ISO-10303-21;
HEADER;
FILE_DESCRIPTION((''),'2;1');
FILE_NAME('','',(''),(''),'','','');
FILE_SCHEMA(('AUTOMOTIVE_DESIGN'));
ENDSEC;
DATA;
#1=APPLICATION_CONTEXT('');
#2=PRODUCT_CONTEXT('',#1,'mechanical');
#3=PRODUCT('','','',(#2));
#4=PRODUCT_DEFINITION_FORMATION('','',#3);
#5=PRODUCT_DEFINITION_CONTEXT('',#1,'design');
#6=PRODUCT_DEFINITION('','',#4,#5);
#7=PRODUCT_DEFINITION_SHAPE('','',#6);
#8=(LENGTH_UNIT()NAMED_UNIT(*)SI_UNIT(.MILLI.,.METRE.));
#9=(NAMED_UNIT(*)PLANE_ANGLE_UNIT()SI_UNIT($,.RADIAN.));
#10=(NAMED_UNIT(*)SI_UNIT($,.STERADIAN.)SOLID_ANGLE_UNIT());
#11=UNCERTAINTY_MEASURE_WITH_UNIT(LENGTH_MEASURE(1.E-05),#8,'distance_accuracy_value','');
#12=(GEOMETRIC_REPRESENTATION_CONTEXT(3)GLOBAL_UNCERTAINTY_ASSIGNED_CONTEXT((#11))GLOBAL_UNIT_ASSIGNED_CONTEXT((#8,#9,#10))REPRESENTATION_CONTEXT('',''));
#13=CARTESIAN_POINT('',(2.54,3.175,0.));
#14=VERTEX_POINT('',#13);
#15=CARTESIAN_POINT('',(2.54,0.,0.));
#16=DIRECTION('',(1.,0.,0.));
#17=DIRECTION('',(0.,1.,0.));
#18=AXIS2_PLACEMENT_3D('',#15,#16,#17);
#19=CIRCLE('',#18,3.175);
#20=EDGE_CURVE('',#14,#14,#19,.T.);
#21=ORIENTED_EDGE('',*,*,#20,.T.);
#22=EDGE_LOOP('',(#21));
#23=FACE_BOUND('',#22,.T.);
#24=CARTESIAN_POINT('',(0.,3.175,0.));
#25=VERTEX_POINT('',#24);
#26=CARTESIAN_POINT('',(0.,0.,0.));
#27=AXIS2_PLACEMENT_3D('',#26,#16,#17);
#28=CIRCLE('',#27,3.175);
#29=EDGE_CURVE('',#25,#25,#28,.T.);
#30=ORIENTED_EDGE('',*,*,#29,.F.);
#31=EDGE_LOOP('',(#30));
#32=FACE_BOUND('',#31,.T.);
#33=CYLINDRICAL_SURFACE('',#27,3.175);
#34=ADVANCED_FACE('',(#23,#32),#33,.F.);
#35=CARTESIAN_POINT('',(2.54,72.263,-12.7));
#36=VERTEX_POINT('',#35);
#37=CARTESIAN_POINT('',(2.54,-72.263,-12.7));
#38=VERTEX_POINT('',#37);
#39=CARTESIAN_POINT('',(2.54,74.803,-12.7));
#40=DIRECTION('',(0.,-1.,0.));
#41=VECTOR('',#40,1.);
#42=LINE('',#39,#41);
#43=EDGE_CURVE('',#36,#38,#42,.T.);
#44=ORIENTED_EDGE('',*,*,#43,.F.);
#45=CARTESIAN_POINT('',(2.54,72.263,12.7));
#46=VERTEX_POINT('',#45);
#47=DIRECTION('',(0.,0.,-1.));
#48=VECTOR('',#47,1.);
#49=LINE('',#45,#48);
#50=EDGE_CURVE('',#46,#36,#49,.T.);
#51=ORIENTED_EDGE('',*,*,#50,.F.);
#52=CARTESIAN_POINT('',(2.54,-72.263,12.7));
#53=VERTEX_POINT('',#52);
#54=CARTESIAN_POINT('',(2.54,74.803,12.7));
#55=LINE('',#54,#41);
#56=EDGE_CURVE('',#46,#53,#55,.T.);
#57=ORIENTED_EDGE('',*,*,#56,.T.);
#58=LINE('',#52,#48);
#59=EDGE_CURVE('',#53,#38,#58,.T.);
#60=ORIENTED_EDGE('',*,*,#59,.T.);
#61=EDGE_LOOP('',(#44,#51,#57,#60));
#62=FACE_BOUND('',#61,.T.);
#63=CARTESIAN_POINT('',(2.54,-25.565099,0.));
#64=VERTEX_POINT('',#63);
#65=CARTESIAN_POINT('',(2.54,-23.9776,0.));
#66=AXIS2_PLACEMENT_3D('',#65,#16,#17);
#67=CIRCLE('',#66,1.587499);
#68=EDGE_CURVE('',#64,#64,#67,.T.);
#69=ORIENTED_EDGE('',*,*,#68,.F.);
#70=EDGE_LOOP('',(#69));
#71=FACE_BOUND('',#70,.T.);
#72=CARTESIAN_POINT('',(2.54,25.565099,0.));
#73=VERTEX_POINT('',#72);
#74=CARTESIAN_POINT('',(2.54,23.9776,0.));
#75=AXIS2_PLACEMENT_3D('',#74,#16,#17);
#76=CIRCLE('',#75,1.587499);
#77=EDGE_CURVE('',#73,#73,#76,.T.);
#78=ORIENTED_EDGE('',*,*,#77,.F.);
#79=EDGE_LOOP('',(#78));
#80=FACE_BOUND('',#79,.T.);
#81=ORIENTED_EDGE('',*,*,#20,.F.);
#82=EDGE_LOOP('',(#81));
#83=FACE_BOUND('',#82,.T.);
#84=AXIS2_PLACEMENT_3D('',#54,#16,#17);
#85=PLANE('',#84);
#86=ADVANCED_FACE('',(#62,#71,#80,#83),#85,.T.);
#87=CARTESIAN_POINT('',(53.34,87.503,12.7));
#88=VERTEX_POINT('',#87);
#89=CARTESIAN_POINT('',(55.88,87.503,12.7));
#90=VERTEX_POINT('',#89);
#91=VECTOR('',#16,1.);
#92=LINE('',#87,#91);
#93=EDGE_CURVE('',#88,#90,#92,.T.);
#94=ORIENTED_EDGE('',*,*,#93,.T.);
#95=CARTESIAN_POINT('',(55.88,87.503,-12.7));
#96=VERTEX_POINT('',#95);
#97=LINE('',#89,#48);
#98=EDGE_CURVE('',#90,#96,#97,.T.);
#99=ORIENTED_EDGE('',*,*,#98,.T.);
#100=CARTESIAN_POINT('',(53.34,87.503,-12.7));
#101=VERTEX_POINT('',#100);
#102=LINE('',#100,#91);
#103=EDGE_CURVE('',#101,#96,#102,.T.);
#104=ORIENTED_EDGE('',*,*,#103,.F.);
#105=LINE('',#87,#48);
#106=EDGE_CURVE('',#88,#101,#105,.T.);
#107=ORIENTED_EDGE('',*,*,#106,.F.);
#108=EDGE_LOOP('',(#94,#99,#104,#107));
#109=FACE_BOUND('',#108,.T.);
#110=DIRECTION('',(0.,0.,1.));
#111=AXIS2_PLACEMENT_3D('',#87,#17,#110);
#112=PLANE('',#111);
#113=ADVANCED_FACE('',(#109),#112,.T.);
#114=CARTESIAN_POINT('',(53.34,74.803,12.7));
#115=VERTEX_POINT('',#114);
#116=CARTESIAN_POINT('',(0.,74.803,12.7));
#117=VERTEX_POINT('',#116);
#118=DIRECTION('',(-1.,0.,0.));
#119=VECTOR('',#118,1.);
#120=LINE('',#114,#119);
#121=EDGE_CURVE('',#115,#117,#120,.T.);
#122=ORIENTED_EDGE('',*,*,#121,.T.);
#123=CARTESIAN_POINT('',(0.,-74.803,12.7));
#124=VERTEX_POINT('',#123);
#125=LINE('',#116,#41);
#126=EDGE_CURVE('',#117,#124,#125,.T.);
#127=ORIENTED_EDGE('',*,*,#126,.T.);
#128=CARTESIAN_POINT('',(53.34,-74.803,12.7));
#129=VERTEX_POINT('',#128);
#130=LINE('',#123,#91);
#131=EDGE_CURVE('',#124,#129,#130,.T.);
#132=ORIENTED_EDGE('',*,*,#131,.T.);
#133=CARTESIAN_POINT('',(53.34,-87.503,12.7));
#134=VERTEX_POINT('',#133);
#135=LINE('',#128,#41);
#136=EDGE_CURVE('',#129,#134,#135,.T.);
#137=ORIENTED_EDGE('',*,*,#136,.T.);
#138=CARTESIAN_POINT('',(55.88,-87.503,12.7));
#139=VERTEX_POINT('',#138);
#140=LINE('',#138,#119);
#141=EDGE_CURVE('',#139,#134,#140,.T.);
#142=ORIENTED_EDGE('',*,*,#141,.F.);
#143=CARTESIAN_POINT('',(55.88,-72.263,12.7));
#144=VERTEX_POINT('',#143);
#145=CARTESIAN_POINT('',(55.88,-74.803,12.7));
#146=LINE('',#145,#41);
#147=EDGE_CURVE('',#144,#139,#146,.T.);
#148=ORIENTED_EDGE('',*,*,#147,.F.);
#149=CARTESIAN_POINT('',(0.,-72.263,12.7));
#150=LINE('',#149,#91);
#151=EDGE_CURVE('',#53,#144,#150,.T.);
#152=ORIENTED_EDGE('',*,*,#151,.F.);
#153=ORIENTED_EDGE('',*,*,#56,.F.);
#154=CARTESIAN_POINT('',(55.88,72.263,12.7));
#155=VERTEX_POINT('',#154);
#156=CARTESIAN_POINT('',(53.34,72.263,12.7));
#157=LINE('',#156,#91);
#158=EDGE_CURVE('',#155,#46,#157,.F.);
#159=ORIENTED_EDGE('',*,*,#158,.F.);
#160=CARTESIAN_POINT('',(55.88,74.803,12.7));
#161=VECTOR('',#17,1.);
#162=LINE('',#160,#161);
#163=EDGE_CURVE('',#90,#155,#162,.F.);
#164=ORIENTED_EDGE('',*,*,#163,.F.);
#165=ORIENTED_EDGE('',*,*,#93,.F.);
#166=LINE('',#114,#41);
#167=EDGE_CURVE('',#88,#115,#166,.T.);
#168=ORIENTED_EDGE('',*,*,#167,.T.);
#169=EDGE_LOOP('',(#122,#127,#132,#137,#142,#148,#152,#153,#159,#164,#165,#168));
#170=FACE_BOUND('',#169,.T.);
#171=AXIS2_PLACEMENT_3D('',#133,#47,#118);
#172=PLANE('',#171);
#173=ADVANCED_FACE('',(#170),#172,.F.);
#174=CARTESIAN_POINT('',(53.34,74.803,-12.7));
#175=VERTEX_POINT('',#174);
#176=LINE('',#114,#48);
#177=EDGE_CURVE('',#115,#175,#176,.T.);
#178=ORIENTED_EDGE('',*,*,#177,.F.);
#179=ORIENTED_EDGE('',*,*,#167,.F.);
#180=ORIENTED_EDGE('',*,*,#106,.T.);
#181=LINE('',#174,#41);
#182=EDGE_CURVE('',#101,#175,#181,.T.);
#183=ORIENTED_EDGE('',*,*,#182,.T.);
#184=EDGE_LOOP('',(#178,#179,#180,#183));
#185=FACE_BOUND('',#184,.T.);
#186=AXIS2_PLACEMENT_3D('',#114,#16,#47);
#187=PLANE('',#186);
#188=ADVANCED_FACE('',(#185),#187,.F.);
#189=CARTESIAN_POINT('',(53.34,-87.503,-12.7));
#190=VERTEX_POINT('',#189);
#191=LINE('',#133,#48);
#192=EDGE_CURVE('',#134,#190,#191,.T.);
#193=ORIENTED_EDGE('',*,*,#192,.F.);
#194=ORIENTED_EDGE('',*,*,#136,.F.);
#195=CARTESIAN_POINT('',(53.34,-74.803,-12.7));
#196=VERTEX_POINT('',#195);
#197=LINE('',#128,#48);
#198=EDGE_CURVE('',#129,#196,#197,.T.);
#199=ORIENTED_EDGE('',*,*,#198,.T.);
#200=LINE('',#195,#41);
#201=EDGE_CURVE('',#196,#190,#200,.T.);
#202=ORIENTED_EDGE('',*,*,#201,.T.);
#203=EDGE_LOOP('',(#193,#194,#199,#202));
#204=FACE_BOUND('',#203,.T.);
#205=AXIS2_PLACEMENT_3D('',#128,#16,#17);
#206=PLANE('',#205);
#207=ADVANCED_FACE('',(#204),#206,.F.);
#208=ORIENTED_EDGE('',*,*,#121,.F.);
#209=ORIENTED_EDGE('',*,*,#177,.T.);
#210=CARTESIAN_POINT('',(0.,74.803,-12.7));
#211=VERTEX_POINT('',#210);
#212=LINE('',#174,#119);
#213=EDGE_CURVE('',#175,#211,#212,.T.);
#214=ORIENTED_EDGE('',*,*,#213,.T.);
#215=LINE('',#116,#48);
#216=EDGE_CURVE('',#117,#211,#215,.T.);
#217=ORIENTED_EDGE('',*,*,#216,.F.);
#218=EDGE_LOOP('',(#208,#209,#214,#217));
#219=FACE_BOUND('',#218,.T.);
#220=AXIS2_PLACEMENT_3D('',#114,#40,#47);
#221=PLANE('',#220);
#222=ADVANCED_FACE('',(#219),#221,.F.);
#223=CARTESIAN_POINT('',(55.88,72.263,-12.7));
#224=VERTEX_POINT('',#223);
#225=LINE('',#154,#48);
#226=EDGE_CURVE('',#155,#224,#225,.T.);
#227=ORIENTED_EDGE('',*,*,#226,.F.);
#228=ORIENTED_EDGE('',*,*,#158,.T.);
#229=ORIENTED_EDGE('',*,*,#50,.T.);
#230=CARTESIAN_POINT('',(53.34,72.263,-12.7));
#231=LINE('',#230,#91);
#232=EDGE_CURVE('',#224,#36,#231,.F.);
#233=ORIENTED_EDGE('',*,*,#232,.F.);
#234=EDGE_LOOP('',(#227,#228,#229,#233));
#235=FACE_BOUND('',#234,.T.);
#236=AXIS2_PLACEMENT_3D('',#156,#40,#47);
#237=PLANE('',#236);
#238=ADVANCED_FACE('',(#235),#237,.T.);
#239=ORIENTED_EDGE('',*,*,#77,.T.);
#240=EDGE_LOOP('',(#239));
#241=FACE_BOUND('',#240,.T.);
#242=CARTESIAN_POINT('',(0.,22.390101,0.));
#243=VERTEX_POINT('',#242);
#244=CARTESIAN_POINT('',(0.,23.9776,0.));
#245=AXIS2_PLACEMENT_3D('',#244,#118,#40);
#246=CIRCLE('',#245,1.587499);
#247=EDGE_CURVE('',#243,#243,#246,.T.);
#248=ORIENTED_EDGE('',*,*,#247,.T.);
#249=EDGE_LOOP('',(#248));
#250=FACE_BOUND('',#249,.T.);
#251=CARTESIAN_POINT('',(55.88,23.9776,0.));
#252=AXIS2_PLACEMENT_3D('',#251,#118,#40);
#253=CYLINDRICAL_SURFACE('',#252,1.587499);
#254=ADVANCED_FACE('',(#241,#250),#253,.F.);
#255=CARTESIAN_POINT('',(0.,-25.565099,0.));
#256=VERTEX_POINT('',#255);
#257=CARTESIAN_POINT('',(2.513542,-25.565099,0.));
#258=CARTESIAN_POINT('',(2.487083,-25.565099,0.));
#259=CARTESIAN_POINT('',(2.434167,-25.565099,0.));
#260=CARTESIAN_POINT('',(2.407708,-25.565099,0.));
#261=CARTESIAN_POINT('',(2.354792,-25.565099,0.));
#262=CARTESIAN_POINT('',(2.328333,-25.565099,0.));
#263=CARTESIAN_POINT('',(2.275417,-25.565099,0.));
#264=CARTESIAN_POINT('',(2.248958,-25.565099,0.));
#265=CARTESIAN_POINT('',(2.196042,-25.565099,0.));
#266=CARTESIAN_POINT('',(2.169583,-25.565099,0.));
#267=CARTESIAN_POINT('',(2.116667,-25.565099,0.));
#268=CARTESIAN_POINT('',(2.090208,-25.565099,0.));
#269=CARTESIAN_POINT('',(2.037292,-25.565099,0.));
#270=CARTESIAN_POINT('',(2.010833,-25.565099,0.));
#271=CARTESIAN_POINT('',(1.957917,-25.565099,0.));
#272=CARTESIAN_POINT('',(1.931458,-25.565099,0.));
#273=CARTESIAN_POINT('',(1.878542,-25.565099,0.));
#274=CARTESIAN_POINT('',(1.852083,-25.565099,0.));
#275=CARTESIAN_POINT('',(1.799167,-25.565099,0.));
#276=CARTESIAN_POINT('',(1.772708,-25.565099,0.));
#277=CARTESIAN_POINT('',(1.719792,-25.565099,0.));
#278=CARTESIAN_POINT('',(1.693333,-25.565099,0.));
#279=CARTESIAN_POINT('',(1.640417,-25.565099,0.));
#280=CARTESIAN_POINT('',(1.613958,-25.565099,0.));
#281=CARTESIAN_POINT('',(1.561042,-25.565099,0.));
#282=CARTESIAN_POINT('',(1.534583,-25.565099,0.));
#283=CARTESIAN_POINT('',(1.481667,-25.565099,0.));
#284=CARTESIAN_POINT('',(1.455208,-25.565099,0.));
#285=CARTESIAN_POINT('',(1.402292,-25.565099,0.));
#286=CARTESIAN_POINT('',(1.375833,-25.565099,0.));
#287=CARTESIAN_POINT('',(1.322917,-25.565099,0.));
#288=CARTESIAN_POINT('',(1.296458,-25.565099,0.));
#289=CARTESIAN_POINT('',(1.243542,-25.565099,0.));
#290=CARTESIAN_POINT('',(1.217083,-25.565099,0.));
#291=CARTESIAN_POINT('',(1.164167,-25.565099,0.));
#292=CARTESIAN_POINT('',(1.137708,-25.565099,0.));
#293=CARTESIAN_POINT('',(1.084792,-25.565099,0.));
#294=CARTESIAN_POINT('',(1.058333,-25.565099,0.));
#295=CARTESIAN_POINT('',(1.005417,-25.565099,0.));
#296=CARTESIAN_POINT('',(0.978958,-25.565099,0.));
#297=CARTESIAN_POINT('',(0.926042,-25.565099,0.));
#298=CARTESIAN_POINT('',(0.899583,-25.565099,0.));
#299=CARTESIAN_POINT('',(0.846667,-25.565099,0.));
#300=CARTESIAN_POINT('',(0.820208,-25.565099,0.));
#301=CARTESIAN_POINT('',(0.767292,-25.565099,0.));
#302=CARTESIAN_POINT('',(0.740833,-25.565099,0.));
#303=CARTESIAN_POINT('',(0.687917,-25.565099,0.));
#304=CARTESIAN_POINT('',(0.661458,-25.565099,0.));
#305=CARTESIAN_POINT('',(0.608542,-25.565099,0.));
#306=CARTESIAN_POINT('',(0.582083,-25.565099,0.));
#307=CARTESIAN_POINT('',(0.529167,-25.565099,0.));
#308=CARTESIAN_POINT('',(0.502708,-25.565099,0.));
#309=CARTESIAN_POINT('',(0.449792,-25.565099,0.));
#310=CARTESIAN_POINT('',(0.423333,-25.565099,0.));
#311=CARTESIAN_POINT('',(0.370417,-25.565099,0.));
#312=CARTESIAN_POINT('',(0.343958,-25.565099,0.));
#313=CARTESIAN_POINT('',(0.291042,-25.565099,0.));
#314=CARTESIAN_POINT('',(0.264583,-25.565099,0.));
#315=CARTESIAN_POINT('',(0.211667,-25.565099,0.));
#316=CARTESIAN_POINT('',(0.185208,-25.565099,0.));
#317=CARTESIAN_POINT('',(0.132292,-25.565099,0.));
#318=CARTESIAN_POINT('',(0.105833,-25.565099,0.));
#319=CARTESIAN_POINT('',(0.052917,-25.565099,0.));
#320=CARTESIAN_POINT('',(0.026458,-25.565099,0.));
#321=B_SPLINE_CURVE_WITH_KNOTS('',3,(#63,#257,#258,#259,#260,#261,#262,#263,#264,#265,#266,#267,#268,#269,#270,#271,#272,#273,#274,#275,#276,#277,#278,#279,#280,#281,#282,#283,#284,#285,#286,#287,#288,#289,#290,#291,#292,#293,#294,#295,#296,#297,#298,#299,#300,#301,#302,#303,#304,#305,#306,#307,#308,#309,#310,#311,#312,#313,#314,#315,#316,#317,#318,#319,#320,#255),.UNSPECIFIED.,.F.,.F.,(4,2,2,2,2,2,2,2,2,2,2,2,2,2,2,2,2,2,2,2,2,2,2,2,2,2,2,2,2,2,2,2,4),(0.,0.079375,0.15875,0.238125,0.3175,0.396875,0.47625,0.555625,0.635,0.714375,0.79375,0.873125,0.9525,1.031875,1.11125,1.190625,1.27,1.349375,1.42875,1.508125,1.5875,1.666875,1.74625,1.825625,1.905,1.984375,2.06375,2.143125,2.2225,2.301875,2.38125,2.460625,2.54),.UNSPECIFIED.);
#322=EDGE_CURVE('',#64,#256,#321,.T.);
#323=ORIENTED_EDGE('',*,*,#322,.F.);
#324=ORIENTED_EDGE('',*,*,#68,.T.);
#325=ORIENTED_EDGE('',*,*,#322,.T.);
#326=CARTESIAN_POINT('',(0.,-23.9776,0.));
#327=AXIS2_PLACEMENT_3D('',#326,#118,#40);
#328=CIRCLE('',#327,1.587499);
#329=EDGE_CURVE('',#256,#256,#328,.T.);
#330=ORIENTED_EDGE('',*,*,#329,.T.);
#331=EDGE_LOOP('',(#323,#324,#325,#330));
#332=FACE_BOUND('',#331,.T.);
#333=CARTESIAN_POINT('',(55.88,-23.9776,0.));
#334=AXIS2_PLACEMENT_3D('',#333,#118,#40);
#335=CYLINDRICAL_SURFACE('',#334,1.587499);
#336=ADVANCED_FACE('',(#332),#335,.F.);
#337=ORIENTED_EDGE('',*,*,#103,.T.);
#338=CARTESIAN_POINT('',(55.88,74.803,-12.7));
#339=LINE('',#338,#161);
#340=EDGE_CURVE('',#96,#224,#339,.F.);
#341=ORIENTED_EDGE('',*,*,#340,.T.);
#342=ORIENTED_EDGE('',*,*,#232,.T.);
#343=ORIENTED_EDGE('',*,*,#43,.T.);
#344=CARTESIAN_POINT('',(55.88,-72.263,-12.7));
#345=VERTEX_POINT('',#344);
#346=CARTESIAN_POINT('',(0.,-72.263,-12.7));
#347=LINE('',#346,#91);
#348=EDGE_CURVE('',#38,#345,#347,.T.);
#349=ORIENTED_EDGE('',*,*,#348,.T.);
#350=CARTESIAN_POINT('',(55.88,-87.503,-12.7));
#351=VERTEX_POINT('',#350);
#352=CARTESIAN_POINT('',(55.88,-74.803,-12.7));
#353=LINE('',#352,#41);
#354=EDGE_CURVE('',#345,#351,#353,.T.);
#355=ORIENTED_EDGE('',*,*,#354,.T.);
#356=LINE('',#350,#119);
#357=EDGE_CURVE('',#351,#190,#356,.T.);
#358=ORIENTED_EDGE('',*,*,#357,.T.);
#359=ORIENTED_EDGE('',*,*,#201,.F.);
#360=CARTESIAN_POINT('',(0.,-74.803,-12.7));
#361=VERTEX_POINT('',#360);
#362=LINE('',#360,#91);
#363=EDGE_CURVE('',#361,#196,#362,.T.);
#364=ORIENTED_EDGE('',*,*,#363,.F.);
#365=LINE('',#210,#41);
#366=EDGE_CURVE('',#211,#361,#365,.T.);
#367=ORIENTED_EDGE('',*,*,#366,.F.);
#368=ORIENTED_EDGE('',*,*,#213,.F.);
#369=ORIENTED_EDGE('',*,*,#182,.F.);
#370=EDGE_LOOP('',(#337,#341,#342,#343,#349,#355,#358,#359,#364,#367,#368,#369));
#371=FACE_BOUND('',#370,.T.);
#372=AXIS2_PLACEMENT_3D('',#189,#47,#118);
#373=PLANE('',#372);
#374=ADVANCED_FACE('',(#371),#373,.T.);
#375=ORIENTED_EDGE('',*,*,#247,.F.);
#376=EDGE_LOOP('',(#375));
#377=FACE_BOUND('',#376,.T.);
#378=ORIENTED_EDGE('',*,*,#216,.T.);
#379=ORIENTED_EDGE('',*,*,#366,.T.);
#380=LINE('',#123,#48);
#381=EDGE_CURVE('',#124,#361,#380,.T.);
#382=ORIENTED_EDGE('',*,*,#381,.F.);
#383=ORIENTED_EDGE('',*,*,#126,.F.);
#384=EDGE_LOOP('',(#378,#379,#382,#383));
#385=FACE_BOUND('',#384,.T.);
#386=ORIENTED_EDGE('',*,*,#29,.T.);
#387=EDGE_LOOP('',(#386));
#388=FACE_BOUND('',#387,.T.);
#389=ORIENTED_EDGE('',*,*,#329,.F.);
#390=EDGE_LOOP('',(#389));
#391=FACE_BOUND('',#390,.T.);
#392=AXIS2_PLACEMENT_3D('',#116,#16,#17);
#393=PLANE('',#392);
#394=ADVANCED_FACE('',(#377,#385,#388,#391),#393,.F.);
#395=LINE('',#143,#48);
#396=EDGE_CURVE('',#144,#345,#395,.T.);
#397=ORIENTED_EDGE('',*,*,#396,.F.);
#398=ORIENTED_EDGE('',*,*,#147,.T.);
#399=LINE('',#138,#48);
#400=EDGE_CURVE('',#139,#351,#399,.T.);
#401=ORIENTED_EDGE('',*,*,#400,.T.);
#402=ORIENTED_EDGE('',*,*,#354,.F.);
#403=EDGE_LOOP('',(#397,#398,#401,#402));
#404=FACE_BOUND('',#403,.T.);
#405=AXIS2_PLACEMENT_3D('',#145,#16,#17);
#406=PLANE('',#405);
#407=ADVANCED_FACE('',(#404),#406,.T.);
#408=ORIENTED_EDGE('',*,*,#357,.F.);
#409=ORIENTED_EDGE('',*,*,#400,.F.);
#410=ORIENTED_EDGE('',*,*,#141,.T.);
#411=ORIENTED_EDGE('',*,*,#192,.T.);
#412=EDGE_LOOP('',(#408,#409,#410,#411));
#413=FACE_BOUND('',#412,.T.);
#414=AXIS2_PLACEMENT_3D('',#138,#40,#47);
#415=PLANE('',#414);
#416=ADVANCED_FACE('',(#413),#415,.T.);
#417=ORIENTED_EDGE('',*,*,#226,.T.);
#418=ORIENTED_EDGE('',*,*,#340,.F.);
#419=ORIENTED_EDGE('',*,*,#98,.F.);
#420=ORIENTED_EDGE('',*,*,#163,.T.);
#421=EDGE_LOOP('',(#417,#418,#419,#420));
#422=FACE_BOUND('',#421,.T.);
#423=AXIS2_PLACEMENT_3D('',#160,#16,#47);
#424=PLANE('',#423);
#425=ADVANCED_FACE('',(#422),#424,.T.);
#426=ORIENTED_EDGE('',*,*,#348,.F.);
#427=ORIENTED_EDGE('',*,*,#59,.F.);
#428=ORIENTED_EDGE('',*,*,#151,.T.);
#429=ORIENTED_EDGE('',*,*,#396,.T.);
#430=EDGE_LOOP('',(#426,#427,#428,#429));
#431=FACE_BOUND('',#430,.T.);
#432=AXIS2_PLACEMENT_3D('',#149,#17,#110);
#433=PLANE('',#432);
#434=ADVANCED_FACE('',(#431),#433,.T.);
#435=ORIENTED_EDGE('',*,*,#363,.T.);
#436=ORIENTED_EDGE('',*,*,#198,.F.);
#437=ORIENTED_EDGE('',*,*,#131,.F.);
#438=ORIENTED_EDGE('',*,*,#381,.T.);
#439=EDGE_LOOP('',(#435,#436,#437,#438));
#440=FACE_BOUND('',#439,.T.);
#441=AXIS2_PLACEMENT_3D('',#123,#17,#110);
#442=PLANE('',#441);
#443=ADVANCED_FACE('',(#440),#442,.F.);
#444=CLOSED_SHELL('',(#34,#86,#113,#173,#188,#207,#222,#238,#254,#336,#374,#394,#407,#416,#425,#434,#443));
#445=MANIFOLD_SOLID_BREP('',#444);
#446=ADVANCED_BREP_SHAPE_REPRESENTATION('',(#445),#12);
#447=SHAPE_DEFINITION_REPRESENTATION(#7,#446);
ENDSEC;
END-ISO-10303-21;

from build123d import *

# Parameters (mm, degrees)
BASE_EXTRUDE_THIN_DEPTH = 12.7
SKETCH2_R               = 3.175
CUT_EXTRUDE1_DEPTH      = 104.262871396
SKETCH3_R               = 1.587498625
CUT_EXTRUDE2_DEPTH      = 105.597511486
SKETCH4_R               = 1.587498625
CUT_EXTRUDE3_DEPTH      = 105.597511486


with BuildPart() as part:
    # Sketch1 → Base-Extrude-Thin (new, symmetric)
    with BuildSketch(Plane.XY):
        Polygon((53.34, 87.503), (53.34, 74.803), (0, 74.803), (0, -74.803), (53.34, -74.803), (53.34, -87.503), (55.88, -87.503), (55.88, -72.263), (2.54, -72.263), (2.54, 72.263), (55.88, 72.263), (55.88, 87.503), align=None)
    extrude(amount=BASE_EXTRUDE_THIN_DEPTH, both=True)

    # Sketch2 → Cut-Extrude1 (cut, through all)
    with BuildSketch(Plane(origin=(2.54, 0, 0), x_dir=(0, 0, -1), z_dir=(1, 0, 0))):
        with Locations(Location((0, 0, 0), (0, 0, 90))):
            Circle(SKETCH2_R)
    extrude(amount=-CUT_EXTRUDE1_DEPTH, mode=Mode.SUBTRACT)

    # Sketch3 → Cut-Extrude2 (cut, through all)
    with BuildSketch(Plane.ZY):
        with Locations(Location((0, 23.9776, 0), (0, 0, 270))):
            Circle(SKETCH3_R)
    extrude(amount=-CUT_EXTRUDE2_DEPTH, mode=Mode.SUBTRACT)

    # Sketch4 → Cut-Extrude3 (cut, through all)
    with BuildSketch(Plane.ZY):
        with Locations(Location((0, -23.9776, 0), (0, 0, 270))):
            Circle(SKETCH4_R)
    extrude(amount=-CUT_EXTRUDE3_DEPTH, mode=Mode.SUBTRACT)


solid = part.part
